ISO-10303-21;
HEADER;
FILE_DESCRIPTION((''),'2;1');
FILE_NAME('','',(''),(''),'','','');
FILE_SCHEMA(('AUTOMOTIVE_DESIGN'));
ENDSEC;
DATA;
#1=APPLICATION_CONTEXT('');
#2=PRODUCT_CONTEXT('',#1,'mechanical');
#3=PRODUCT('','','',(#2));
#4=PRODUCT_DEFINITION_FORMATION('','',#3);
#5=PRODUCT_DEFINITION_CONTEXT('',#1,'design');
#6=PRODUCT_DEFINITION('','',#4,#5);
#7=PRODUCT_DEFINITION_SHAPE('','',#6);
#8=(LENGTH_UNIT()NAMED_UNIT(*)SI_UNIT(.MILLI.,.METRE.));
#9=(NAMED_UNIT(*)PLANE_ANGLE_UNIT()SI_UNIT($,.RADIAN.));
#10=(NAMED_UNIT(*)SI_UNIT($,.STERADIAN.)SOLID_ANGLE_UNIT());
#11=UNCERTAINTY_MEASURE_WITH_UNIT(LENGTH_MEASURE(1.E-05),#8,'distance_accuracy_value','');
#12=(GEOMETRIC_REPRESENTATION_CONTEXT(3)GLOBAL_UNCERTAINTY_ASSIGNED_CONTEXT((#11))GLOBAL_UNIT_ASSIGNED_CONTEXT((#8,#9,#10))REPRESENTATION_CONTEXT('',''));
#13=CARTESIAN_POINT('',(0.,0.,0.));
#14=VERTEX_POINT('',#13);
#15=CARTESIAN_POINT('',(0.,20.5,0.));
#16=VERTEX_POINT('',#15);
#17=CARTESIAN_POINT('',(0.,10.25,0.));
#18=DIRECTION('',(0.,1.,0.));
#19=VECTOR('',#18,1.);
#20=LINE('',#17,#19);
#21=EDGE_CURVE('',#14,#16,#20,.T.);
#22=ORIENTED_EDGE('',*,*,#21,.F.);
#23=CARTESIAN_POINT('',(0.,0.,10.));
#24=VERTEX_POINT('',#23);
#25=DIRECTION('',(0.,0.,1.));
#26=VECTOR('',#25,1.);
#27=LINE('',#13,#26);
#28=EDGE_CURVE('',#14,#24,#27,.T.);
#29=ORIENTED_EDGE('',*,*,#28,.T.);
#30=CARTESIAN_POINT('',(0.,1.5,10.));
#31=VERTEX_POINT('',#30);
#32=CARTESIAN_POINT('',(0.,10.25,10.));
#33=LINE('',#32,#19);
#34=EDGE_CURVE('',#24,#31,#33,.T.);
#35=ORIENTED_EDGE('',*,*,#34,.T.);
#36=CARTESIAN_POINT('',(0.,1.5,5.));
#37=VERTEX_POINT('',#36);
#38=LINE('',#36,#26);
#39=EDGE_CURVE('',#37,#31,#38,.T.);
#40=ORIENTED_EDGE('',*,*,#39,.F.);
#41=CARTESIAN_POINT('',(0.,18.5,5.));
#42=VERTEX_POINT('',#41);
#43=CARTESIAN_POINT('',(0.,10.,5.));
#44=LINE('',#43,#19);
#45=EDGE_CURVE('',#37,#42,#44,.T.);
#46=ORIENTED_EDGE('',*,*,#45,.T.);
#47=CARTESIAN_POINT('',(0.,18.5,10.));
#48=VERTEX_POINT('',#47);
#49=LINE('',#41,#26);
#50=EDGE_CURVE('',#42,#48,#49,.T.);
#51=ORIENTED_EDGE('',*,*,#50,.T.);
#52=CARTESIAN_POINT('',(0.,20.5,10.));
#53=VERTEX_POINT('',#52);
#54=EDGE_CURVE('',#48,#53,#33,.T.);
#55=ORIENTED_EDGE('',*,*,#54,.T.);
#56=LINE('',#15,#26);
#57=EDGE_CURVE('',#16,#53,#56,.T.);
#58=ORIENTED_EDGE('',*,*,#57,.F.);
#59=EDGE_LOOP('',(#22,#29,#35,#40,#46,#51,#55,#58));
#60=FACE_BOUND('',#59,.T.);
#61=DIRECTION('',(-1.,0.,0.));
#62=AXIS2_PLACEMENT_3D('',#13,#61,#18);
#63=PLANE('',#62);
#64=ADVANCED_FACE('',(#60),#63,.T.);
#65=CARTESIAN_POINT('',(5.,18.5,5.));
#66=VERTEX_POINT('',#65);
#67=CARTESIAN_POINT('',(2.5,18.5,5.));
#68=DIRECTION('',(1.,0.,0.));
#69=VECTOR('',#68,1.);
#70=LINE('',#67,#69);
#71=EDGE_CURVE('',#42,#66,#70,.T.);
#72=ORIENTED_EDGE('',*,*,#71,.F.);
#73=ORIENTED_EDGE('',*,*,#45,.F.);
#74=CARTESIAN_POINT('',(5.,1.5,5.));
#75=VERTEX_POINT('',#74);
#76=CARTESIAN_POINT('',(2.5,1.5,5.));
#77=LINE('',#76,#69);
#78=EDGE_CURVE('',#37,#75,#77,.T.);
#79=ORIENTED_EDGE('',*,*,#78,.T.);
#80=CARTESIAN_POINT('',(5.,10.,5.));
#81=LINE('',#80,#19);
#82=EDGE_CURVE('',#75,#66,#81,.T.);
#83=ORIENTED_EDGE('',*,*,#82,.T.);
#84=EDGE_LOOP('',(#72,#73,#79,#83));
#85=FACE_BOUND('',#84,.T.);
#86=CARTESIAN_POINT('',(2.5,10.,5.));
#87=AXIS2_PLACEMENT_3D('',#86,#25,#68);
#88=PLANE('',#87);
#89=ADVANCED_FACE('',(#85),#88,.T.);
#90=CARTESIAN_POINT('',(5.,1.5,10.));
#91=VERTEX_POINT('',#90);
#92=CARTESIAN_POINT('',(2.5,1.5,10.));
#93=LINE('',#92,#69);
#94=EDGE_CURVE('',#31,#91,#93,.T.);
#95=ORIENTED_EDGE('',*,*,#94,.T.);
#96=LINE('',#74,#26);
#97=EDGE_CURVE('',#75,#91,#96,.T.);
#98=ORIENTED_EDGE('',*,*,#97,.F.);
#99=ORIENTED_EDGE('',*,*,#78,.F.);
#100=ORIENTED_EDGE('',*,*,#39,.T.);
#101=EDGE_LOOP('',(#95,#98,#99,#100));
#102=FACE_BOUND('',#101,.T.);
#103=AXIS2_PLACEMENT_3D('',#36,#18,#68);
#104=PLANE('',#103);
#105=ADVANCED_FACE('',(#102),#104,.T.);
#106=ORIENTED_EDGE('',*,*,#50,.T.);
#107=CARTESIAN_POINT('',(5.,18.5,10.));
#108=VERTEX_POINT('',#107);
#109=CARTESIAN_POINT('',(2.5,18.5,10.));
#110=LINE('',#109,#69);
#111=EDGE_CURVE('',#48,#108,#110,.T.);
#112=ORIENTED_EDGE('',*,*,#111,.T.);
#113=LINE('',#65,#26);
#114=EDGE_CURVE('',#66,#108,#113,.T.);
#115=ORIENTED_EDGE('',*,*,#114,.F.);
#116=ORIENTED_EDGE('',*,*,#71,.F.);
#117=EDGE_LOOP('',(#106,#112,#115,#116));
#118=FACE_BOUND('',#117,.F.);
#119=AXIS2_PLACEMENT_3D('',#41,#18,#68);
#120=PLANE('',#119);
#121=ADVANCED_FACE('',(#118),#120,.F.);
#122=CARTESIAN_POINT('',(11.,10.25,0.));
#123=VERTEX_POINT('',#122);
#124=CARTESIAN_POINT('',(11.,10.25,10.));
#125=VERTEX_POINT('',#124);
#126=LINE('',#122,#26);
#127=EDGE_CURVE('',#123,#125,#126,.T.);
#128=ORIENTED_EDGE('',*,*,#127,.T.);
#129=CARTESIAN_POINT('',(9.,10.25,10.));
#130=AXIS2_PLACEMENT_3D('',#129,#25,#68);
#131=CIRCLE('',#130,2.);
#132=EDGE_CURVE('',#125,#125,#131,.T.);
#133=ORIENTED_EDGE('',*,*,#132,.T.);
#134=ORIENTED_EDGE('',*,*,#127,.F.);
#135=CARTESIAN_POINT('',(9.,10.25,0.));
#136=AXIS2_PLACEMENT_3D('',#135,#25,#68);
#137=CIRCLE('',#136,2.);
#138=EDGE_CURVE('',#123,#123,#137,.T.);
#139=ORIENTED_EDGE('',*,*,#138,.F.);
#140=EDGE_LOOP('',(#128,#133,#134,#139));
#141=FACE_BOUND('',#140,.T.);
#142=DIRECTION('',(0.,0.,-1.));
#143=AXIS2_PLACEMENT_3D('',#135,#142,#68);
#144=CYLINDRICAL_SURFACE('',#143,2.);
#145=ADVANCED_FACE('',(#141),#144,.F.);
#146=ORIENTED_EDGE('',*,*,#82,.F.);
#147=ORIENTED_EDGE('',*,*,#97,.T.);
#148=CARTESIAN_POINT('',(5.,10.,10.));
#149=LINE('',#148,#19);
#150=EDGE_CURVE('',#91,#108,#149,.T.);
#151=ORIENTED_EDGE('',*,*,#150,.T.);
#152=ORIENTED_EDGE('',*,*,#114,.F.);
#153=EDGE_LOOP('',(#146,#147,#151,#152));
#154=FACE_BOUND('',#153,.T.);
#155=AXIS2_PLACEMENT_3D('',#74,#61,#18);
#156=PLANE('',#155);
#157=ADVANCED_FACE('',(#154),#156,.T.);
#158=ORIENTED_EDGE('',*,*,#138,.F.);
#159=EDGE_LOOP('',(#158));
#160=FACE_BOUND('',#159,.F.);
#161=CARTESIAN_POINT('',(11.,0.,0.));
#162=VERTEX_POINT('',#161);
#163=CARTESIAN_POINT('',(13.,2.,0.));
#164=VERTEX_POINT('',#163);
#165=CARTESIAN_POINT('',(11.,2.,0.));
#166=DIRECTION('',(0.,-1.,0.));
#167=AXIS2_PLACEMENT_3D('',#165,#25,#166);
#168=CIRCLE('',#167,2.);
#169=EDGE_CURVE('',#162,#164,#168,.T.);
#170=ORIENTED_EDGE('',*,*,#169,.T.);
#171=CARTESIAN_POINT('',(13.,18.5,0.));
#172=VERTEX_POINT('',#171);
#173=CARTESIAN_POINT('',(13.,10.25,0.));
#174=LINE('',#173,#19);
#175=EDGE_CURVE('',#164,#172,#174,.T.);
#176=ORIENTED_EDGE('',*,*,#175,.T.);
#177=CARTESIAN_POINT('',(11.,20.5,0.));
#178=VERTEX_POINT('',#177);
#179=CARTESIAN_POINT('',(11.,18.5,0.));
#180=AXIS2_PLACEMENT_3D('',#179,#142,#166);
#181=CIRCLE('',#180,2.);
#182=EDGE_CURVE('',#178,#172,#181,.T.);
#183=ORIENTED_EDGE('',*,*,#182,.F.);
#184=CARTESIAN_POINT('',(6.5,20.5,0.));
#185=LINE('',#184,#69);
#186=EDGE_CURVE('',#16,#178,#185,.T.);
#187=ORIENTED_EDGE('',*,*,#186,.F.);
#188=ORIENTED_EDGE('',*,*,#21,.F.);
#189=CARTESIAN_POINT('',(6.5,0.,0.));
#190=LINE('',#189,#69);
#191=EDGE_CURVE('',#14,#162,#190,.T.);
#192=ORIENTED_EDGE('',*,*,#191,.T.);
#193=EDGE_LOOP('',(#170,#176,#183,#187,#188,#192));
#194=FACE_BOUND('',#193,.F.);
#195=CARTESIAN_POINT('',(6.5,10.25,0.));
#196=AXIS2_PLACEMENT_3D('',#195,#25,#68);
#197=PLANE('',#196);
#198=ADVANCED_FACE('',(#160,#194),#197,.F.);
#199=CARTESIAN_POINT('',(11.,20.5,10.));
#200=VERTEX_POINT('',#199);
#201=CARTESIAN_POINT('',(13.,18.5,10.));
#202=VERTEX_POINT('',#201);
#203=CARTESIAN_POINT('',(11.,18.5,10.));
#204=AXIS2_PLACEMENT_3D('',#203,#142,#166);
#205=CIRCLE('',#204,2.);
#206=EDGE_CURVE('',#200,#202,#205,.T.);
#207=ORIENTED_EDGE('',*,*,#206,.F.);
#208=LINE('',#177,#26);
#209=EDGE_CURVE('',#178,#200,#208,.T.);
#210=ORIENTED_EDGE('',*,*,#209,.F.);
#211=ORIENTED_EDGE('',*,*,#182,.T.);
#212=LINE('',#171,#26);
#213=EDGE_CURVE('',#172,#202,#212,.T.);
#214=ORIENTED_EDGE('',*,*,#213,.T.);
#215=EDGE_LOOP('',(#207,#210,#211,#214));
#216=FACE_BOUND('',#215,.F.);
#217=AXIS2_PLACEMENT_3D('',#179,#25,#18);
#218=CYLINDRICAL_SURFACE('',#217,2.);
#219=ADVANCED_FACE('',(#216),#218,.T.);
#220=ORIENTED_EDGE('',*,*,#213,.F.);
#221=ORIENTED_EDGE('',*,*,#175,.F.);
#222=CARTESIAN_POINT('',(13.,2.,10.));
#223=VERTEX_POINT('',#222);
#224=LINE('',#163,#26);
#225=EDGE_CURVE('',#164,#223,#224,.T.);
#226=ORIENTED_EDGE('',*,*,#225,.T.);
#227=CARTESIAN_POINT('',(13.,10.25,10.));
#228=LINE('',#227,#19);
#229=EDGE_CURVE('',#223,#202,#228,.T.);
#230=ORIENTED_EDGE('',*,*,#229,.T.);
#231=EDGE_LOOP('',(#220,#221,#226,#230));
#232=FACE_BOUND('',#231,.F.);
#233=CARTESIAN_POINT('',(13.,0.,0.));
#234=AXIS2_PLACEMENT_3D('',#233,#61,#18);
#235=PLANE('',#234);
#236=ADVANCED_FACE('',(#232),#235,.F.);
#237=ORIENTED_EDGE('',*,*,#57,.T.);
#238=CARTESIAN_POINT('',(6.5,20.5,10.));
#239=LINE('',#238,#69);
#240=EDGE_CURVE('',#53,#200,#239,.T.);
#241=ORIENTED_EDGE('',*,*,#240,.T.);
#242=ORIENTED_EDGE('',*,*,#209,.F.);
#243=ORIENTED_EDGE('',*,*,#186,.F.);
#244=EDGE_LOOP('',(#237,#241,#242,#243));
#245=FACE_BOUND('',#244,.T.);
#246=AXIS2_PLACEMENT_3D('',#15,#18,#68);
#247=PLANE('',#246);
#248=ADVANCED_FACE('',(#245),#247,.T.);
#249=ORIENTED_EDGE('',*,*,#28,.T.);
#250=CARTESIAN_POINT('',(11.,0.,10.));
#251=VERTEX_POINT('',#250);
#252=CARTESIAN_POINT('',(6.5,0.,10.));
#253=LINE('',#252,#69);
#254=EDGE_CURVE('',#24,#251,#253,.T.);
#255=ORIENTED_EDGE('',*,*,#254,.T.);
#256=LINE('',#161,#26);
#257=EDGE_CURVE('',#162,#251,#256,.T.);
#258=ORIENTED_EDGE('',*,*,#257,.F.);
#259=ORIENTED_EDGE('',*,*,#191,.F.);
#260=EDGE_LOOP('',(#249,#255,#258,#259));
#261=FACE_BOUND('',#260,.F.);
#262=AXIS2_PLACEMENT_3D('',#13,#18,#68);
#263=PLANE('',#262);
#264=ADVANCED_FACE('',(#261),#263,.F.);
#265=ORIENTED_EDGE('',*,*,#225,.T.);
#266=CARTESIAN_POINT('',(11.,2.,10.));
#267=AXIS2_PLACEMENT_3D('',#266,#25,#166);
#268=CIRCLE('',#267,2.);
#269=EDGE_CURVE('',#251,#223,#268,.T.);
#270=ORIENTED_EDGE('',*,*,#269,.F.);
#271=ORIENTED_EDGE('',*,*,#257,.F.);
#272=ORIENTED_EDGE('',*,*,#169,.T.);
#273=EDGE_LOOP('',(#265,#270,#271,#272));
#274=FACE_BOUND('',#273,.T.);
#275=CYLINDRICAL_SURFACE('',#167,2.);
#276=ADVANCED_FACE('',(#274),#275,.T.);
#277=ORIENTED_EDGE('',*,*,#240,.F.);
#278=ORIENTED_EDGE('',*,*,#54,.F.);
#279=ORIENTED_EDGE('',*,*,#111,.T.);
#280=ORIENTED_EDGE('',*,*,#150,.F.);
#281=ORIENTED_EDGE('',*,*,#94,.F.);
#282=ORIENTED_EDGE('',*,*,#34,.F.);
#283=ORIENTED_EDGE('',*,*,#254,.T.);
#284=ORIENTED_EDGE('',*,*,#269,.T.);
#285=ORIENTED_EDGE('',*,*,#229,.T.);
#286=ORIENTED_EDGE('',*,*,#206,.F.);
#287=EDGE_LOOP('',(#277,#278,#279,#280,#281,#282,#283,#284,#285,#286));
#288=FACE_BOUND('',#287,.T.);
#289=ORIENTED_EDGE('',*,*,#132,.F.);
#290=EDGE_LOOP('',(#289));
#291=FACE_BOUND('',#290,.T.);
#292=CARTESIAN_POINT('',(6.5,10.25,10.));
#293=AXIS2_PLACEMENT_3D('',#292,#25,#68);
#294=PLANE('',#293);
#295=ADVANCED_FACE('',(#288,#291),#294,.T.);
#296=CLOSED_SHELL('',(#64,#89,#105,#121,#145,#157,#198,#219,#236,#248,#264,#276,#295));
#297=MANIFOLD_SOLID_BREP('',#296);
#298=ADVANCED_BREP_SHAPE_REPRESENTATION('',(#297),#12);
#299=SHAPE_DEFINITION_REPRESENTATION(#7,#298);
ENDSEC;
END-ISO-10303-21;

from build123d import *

# Parameters (mm, degrees)
CYLINDER_R     = 2
CYLINDER_DEPTH = 10
BOX_W          = 5
BOX_H          = 17
BOX_DEPTH      = 5
BOX001_W       = 13
BOX001_H       = 20.5
BOX001_DEPTH   = 10
FILLET_R       = 2


with BuildPart() as cylinder:
    # Cylinder → Cylinder (new body)
    with BuildSketch(Plane(origin=(9, 10.25, 0), x_dir=(1, 0, 0), z_dir=(0, 0, 1))):
        Circle(CYLINDER_R)
    extrude(amount=CYLINDER_DEPTH)


with BuildPart() as cube:
    # Box → Box (new body)
    with BuildSketch(Plane(origin=(0, 1.5, 5), x_dir=(1, 0, 0), z_dir=(0, 0, 1))):
        with Locations((2.5, 8.5)):
            Rectangle(BOX_W, BOX_H)
    extrude(amount=BOX_DEPTH)


with BuildPart() as fillet_body:
    # Box001 → Box001 (new body)
    with BuildSketch(Plane.XY):
        with Locations((6.5, 10.25)):
            Rectangle(BOX001_W, BOX001_H)
    extrude(amount=BOX001_DEPTH)

    # Cut: cut Cube
    add(cube.part, mode=Mode.SUBTRACT)

    # Cut001: cut Cylinder
    add(cylinder.part, mode=Mode.SUBTRACT)

    # Fillet
    fillet_edges = [fillet_body.edges().sort_by_distance(p)[0] for p in [
        (13, 20.5, 5),
        (13, 0, 5),
    ]]
    fillet(fillet_edges, radius=FILLET_R)


solid = fillet_body.part
